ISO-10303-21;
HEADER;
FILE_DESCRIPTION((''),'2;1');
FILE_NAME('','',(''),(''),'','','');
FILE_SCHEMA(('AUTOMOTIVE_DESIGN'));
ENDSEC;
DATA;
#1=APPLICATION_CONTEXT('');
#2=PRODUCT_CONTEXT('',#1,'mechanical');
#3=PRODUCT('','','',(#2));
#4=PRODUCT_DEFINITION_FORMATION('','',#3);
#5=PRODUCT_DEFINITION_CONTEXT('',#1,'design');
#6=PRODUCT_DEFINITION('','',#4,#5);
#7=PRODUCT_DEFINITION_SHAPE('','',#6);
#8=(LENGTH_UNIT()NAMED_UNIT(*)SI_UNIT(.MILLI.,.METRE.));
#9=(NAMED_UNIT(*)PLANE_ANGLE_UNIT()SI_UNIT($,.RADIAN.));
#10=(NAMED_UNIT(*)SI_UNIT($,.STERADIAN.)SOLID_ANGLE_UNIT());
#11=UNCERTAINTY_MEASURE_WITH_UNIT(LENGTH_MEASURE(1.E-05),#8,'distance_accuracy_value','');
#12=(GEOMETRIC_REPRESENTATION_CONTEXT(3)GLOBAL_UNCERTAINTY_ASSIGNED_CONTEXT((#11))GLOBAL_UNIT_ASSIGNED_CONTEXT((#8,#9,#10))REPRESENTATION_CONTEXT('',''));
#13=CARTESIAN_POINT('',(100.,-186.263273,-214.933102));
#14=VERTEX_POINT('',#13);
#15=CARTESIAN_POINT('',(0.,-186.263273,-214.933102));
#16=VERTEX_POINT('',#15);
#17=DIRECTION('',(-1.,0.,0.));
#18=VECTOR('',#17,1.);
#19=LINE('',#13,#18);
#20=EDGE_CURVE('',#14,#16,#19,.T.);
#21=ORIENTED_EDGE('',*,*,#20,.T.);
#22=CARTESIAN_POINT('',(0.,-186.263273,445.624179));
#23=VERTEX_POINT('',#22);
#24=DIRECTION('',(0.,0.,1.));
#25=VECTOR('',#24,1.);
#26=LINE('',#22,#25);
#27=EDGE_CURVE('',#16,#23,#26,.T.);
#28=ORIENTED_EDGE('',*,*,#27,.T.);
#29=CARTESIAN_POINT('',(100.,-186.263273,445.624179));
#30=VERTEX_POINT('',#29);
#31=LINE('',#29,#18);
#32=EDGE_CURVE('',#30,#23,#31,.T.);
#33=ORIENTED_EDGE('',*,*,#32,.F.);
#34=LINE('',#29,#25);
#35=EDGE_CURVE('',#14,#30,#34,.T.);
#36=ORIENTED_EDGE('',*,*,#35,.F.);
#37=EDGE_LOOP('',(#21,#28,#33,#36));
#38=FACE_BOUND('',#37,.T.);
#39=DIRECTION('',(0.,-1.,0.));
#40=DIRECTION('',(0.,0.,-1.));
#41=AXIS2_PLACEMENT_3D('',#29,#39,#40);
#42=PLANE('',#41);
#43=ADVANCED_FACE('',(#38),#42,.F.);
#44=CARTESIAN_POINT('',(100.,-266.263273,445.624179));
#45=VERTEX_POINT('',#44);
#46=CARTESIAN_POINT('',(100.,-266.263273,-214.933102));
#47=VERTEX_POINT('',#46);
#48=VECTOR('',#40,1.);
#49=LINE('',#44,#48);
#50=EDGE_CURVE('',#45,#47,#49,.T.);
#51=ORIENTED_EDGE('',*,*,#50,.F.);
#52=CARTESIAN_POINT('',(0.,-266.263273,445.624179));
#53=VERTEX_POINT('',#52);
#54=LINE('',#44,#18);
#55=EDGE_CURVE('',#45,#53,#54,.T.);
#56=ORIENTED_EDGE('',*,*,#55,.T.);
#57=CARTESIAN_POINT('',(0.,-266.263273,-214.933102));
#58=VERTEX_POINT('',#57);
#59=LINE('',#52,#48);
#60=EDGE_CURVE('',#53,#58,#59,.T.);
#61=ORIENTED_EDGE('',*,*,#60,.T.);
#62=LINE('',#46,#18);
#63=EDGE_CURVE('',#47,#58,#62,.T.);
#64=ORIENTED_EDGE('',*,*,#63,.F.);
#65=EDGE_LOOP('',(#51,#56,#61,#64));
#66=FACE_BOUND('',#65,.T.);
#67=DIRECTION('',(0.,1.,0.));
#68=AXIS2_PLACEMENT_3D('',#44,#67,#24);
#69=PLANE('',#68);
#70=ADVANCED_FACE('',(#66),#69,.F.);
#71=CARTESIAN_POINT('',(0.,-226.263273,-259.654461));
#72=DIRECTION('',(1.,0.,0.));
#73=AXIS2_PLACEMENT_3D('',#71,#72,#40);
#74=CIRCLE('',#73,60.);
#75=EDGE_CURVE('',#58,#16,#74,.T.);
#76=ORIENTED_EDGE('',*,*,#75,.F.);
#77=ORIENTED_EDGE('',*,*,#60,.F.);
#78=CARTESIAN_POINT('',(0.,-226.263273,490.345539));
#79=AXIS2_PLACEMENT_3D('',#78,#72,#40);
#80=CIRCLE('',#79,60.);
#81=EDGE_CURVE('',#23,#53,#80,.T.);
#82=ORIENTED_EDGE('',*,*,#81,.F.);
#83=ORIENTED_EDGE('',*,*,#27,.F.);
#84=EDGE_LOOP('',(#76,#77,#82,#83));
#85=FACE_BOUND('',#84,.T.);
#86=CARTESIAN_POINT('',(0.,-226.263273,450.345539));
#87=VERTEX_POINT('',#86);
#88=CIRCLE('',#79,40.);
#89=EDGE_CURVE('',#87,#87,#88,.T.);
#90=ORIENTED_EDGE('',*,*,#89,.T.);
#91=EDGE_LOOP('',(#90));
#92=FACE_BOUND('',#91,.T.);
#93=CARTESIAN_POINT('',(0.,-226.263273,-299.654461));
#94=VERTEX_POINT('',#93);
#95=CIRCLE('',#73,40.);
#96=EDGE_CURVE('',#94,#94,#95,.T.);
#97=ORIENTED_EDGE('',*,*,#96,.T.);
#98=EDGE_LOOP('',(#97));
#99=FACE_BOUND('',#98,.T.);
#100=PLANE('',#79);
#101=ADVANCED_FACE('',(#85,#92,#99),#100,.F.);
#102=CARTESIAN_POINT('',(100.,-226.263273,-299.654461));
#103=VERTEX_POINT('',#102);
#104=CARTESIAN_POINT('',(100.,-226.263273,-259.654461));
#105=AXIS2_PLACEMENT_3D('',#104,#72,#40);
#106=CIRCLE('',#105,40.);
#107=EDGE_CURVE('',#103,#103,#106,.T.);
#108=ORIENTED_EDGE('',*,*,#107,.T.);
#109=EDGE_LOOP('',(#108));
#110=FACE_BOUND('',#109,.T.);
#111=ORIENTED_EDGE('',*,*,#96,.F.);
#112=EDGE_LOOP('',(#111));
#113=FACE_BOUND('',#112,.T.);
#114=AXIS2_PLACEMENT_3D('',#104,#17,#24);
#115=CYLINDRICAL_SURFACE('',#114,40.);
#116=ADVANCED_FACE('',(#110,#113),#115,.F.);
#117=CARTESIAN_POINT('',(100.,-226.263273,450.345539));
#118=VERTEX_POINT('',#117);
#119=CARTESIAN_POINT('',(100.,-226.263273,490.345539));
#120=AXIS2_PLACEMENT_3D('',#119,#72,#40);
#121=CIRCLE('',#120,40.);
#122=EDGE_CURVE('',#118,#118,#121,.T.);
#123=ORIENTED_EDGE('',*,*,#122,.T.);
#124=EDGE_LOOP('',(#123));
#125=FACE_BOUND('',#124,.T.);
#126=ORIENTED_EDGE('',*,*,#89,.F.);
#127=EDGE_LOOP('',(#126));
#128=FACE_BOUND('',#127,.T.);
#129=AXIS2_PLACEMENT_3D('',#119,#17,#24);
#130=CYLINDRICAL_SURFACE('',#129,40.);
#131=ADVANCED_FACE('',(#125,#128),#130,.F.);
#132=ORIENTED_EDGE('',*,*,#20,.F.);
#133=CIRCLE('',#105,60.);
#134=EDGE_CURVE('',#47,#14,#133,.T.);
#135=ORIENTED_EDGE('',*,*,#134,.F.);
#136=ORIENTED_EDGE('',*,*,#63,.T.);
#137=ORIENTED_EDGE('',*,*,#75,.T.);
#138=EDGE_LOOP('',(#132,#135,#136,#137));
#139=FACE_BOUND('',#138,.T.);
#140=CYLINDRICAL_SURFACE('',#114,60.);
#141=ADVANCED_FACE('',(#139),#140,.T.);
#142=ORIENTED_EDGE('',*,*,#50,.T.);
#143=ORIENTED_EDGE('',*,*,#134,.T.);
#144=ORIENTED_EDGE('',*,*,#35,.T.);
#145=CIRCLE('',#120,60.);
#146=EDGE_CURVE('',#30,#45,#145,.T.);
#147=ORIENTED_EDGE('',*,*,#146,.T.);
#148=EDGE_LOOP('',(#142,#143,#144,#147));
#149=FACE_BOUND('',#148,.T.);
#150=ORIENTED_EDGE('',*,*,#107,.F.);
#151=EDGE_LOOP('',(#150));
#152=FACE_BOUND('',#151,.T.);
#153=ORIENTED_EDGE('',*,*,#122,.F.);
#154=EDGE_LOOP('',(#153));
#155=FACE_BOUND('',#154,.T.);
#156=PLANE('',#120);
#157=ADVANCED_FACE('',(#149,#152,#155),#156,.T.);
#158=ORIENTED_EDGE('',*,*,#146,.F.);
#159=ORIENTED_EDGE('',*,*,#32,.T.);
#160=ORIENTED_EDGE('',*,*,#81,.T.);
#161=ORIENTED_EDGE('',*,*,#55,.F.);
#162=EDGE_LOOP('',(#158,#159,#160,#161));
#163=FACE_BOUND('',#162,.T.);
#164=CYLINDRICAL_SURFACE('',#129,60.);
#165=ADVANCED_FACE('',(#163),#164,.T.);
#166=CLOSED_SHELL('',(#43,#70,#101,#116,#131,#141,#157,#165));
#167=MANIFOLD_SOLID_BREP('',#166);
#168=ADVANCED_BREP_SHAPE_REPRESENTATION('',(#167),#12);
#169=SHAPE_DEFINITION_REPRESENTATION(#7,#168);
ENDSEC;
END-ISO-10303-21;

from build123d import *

# Parameters (mm, degrees)
LINKFRAME_R         = 40
BOSS_EXTRUDE1_DEPTH = 100


with BuildPart() as part:
    # LinkFrame → Boss-Extrude1 (new body)
    with BuildSketch(Plane(origin=(0, 0, 0), x_dir=(0, 0, -1), z_dir=(1, 0, 0))):
        with BuildLine():
            Line((-445.62417903, -186.263273145), (214.93310187, -186.263273145))
            ThreePointArc((214.93310187, -186.263273145), (319.65446142, -226.263273145), (214.93310187, -266.263273145))
            Line((214.93310187, -266.263273145), (-445.62417903, -266.263273145))
            ThreePointArc((-445.62417903, -266.263273145), (-550.34553858, -226.263273145), (-445.62417903, -186.263273145))
        make_face()
        with Locations((-490.34553858, -226.263273145)):
            Circle(LINKFRAME_R, mode=Mode.SUBTRACT)
        with Locations((259.65446142, -226.263273145)):
            Circle(LINKFRAME_R, mode=Mode.SUBTRACT)
    extrude(amount=BOSS_EXTRUDE1_DEPTH)


solid = part.part
